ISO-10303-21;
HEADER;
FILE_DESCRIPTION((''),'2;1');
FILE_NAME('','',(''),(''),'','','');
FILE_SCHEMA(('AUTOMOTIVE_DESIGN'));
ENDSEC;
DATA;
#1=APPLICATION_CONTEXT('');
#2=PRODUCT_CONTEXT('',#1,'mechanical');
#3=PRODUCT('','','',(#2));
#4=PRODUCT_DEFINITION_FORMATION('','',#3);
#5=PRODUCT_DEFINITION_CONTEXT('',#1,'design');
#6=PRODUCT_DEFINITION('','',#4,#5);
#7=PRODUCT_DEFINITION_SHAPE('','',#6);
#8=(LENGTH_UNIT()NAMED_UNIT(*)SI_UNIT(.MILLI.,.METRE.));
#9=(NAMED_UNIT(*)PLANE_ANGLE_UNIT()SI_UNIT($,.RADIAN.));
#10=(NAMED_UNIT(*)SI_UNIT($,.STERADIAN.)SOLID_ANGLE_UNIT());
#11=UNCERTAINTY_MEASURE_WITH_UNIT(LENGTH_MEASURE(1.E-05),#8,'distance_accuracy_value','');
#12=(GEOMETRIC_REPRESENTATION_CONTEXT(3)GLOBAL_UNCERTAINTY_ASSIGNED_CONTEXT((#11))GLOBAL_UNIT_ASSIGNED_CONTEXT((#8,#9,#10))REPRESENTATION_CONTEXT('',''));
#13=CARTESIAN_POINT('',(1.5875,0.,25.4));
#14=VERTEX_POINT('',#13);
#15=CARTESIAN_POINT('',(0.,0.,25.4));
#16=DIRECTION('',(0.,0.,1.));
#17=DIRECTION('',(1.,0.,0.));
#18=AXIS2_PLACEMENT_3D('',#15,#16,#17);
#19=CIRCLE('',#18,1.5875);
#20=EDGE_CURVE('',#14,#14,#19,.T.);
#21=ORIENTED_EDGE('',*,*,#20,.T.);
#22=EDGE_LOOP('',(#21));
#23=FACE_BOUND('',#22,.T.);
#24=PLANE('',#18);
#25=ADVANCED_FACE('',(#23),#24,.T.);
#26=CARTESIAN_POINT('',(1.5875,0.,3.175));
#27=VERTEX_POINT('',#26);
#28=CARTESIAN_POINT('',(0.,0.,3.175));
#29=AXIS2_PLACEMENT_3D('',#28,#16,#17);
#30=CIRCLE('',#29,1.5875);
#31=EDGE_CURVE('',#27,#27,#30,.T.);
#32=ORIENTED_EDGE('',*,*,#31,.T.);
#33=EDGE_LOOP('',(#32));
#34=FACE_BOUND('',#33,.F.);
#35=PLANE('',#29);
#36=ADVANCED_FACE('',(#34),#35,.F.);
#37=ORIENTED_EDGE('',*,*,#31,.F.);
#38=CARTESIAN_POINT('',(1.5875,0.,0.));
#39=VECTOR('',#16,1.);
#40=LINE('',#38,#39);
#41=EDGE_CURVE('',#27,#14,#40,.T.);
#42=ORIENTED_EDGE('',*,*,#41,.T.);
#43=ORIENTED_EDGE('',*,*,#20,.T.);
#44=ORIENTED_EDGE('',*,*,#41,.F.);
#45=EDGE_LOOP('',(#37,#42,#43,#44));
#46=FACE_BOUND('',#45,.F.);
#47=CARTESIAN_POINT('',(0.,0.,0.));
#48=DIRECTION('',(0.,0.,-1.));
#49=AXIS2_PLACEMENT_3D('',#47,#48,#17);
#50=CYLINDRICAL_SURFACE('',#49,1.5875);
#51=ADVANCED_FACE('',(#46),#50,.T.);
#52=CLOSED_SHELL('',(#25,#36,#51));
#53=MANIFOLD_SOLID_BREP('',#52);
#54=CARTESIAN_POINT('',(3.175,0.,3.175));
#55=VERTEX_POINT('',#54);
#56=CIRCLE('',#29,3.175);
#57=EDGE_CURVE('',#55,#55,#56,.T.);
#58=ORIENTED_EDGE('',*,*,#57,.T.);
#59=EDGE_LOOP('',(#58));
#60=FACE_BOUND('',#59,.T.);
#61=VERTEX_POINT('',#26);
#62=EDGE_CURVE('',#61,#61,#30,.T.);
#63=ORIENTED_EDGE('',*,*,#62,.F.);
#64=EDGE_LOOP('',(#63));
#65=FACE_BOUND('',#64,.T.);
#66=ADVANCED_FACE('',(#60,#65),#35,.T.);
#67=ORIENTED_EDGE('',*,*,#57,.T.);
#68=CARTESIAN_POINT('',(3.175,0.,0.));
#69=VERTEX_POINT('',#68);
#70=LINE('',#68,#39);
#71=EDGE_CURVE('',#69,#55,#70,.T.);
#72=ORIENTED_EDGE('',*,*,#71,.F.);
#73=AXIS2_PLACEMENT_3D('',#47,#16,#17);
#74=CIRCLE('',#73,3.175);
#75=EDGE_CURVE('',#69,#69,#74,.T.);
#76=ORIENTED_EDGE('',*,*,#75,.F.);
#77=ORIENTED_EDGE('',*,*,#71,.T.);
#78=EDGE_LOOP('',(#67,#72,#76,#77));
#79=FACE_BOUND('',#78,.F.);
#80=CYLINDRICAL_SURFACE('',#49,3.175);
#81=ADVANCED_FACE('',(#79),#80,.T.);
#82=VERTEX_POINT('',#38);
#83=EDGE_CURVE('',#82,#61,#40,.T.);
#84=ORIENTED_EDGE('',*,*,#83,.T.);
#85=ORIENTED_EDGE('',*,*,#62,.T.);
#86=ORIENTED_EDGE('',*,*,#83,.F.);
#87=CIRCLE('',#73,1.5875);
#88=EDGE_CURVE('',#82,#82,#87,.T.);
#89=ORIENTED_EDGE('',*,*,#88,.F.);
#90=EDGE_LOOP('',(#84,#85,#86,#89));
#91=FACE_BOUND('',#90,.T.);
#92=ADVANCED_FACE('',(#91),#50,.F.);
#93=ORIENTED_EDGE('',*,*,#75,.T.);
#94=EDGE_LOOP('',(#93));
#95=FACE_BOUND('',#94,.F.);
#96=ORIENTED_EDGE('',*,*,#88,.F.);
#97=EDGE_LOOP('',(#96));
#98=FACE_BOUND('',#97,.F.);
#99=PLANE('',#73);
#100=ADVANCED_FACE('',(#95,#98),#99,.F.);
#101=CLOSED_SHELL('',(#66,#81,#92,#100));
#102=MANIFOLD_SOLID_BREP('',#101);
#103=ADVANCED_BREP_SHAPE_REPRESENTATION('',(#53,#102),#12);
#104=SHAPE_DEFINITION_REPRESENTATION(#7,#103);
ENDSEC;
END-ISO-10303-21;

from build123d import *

# Parameters (mm, degrees)
F0_R     = 1.5875
F1_DEPTH = 25.4
F2_R     = 3.175
F2_R_2   = 1.5875
F3_DEPTH = 3.175
F4_DEPTH = 3.175


with BuildPart() as f1:
    # F0 (on Top) → F1 (new body)
    with BuildSketch(Plane.XY):
        Circle(F0_R)
    extrude(amount=F1_DEPTH)

    # F2 (on Top) → F3 (join)
    with BuildSketch(Plane.XY):
        Circle(F2_R)
        Circle(F2_R_2, mode=Mode.SUBTRACT)
    extrude(amount=F3_DEPTH)

    # F0 (on Top) → F4 (cut)
    with BuildSketch(Plane.XY):
        Circle(F0_R)
    extrude(amount=F4_DEPTH, mode=Mode.SUBTRACT)


solid = f1.part
